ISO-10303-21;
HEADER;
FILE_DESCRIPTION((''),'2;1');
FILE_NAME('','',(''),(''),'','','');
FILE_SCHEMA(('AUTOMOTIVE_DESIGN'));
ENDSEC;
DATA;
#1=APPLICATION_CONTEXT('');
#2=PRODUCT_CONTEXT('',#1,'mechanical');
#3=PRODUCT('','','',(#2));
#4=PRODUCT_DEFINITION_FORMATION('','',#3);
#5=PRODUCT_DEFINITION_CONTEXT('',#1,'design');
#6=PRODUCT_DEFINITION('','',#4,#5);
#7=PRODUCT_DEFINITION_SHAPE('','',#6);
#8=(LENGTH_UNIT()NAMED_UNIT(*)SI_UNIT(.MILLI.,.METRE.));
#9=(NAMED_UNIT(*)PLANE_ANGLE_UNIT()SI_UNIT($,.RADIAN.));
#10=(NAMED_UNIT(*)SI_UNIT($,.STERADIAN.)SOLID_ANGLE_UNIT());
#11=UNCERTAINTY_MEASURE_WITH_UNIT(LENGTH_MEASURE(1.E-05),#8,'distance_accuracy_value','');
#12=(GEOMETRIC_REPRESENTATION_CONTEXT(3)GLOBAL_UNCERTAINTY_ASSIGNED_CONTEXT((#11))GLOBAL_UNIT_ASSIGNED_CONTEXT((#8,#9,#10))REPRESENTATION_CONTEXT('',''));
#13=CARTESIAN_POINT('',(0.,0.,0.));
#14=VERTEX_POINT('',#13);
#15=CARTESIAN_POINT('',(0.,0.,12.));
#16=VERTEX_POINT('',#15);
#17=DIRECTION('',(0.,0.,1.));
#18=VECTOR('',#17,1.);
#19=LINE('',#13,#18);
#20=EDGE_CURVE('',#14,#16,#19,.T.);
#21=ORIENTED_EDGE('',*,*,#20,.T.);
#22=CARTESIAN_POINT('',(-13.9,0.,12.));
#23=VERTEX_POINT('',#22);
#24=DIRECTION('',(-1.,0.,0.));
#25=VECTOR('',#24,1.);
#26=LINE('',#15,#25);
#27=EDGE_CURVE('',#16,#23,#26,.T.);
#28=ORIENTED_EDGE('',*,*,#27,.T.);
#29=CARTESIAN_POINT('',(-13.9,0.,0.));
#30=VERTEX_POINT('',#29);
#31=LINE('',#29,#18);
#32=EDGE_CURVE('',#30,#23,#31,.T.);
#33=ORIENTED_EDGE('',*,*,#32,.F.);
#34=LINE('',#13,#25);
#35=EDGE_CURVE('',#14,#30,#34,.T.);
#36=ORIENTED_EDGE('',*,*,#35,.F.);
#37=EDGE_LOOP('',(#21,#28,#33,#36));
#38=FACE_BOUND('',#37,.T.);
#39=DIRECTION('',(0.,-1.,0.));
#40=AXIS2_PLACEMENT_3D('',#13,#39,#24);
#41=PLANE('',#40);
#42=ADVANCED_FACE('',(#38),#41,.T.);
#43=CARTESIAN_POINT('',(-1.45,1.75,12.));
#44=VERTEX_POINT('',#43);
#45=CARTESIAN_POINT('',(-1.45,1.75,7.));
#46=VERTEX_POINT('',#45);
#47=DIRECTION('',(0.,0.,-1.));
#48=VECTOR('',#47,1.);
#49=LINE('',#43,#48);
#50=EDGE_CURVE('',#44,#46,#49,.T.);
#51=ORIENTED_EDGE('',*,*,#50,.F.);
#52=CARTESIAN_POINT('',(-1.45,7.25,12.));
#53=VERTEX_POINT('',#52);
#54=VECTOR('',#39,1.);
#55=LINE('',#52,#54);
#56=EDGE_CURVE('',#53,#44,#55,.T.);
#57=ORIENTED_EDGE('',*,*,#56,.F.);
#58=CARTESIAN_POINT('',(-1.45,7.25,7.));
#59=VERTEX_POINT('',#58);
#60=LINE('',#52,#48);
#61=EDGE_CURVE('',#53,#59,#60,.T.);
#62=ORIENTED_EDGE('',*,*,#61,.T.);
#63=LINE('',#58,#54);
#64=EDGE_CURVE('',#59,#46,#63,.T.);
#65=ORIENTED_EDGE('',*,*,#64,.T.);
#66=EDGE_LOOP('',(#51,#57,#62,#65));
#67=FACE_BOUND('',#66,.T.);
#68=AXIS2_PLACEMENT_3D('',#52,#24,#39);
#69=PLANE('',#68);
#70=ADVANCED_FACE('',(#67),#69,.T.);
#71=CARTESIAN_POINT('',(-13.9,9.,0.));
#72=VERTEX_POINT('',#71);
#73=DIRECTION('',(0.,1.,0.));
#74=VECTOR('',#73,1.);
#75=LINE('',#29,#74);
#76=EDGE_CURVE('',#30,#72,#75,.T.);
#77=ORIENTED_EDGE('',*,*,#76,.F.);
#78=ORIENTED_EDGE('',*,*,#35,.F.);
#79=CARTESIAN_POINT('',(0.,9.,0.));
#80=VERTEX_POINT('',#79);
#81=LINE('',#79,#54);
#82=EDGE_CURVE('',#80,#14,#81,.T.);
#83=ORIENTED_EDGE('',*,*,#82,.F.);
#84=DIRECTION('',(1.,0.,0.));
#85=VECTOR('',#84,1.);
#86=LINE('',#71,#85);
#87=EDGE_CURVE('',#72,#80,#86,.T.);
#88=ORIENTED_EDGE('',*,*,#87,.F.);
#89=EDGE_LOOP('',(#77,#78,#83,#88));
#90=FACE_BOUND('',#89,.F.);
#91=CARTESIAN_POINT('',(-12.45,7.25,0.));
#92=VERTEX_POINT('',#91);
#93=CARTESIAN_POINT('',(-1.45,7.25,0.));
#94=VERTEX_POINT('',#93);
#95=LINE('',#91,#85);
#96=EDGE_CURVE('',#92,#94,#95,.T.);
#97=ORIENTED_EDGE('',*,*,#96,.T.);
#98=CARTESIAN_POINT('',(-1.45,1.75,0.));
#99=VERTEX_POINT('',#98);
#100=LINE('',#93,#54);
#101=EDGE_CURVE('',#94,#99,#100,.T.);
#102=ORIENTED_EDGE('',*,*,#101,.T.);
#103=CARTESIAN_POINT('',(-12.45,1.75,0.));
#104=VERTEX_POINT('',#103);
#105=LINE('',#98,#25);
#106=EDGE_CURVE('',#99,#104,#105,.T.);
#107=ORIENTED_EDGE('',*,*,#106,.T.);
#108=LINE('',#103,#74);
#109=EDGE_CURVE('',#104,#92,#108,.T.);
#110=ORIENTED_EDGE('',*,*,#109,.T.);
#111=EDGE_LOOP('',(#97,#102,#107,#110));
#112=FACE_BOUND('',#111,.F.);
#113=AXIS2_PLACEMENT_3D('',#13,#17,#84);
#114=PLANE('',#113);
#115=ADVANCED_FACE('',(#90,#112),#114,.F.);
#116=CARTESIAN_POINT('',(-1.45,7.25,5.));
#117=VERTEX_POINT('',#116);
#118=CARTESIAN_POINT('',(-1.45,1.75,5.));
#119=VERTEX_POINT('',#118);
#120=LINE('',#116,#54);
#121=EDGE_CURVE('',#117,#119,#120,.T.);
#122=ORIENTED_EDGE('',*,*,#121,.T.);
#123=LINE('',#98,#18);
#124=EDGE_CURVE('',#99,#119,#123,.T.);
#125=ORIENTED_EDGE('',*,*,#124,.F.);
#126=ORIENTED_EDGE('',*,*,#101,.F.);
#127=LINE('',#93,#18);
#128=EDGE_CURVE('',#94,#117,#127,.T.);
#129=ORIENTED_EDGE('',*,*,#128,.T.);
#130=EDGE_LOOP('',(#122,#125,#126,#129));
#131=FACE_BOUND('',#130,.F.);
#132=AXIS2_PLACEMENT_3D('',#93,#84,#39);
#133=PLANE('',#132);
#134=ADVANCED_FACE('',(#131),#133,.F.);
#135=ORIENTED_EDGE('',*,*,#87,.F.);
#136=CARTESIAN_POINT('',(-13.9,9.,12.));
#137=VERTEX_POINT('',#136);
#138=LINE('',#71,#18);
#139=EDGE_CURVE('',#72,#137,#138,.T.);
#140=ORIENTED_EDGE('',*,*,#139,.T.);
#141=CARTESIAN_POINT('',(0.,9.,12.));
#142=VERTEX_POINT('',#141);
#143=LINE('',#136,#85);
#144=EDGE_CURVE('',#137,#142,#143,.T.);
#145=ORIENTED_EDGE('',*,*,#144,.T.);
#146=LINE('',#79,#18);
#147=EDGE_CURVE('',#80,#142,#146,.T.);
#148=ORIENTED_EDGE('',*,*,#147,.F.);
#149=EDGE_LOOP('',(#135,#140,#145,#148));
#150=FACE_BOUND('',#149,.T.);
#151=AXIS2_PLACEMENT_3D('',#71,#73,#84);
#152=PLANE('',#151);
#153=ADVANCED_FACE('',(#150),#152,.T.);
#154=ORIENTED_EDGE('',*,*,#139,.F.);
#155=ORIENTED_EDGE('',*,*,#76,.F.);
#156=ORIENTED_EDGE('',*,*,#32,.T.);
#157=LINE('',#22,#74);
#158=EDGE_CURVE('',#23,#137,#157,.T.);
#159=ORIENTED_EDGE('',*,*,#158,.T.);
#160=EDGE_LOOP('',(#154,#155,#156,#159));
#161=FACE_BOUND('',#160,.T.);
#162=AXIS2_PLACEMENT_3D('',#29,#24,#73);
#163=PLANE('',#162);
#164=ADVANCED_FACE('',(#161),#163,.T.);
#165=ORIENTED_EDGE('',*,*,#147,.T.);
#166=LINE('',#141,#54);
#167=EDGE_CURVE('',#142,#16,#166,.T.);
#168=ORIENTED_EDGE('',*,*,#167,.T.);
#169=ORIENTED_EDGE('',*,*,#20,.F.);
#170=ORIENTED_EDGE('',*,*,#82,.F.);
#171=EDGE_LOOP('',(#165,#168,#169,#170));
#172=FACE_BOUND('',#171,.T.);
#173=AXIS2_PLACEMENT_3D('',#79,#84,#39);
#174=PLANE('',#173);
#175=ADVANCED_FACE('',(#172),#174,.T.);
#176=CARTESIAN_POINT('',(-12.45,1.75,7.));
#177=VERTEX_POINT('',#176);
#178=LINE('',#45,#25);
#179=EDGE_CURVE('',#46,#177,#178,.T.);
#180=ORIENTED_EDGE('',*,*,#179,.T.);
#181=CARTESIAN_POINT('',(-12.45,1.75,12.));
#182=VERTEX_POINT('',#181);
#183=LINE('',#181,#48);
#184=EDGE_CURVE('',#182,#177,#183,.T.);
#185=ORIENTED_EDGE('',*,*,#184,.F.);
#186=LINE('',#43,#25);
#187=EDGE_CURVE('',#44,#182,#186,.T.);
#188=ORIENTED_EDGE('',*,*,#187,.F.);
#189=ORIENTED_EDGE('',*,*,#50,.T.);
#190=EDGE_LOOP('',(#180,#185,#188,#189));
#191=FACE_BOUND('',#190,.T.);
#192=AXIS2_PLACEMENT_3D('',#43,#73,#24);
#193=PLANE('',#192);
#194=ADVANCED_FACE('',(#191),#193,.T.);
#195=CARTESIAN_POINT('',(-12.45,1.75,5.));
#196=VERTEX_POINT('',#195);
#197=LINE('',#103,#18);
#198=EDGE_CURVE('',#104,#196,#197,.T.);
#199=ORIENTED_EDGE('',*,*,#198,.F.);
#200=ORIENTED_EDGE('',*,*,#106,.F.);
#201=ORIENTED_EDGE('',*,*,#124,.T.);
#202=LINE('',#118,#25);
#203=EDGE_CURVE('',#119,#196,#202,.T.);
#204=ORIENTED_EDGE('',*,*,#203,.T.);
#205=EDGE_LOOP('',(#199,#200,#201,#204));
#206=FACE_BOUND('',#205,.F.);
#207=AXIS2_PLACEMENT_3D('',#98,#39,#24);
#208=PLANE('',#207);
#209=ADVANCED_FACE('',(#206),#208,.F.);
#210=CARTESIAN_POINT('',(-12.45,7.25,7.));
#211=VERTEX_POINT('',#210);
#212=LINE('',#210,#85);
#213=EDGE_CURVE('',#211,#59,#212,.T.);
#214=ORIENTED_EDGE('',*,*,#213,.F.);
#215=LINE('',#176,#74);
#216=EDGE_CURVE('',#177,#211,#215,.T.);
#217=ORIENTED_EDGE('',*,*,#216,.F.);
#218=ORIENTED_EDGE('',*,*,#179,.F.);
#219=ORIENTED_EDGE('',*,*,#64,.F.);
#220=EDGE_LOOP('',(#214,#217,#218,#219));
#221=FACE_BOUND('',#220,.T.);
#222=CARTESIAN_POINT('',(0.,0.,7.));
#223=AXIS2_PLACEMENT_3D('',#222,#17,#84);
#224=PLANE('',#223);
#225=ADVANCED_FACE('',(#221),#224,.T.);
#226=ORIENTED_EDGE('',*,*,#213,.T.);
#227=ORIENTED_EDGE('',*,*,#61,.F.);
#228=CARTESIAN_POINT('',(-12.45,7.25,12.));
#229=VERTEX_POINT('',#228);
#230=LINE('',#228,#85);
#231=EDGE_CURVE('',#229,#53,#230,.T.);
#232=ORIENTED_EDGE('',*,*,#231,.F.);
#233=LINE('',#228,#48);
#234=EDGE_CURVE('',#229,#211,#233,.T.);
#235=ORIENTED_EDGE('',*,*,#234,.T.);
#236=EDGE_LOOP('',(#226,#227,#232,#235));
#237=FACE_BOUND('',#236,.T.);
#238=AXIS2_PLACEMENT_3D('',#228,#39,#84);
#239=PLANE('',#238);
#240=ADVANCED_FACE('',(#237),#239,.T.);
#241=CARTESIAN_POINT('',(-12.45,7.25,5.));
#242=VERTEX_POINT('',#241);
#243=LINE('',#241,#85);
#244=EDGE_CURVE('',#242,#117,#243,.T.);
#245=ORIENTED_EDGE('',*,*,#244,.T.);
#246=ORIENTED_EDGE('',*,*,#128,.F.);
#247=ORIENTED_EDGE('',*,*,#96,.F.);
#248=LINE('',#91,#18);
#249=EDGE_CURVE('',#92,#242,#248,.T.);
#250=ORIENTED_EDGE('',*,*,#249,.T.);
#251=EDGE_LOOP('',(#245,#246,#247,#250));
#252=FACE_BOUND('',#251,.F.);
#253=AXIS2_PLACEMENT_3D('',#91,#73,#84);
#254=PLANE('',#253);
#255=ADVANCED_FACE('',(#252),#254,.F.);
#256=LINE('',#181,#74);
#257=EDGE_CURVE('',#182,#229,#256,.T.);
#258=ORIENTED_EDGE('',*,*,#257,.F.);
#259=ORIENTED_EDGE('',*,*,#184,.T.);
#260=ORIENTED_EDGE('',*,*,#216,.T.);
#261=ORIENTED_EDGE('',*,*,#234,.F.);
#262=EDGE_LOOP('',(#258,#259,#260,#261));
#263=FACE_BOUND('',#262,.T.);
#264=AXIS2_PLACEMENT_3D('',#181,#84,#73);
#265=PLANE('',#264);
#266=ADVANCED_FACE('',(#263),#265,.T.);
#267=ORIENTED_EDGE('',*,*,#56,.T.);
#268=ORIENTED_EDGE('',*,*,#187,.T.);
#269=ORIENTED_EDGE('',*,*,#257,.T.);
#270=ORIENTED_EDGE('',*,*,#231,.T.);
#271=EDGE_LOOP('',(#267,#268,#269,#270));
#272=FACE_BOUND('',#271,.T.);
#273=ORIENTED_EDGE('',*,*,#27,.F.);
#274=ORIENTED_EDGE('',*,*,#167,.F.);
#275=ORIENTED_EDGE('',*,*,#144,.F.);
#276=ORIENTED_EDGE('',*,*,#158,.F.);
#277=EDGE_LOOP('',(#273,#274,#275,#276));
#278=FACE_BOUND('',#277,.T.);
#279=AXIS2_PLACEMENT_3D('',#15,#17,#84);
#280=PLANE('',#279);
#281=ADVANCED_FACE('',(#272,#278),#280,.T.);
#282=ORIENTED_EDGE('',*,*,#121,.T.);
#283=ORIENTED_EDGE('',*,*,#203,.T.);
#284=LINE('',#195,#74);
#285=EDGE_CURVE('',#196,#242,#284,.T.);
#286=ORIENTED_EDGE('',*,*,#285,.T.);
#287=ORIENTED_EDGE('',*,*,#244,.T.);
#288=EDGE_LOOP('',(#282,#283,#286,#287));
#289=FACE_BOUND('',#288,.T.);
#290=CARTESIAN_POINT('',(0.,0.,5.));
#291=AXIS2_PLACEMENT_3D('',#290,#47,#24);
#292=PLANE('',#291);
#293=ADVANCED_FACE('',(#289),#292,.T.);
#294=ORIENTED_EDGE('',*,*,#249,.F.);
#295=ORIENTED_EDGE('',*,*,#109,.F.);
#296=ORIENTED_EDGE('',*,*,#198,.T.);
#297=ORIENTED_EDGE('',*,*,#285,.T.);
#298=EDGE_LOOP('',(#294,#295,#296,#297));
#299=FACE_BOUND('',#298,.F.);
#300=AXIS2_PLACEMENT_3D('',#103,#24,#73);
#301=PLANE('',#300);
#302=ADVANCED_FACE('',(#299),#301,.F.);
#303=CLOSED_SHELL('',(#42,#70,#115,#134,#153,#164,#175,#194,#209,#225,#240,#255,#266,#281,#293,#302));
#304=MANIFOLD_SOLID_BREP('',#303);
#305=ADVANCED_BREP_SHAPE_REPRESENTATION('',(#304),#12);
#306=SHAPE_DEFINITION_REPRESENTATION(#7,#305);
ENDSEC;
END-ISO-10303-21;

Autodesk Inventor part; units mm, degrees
ref_plane "YZ Plane" through (0, 0, 0) normal (1, 0, 0) x (0, 1, 0)
ref_plane "XZ Plane" through (0, 0, 0) normal (0, 1, 0) x (-1, 0, 0)
ref_plane "XY Plane" through (0, 0, 0) normal (0, 0, 1) x (1, 0, 0)
sketch "Sketch5" plane through (0, 0, 0) normal (0, 0, 1) x (1, 0, 0)
  line L0 (0, 0) -> (-13.9, 0)
  line L1 (-13.9, 0) -> (-13.9, 9)
  line L2 (-13.9, 9) -> (0, 9)
  line L3 (0, 9) -> (0, 0)
  line L4 (-2, 2) -> (-11.9, 2)
  line L5 (-11.9, 2) -> (-11.9, 7)
  line L6 (-11.9, 7) -> (-2, 7)
  line L7 (-2, 7) -> (-2, 2)
  dimension "d67" = 13.9
  dimension "d68" = 9
  dimension "d69" = 9.9
  dimension "d70" = 5
extrude "Extrusion8" add sketch "Sketch5" along normal blind 12 contours L0 L1 L2 L3 | L4 L5 L6 L7
sketch "Sketch10" plane through (0, 0, 12) normal (0, 0, 1) x (1, 0, 0)
  line L0 (-1.45, 1.75) -> (-12.45, 1.75)
  line L1 (-12.45, 1.75) -> (-12.45, 7.25)
  line L2 (-12.45, 7.25) -> (-1.45, 7.25)
  line L3 (-1.45, 7.25) -> (-1.45, 1.75)
  point P0 (0, 0)
  dimension "d99" = 11
  dimension "d100" = 5.5
sketch "Sketch11" plane through (0, 0, 0) normal (0, 0, -1) x (-1, 0, 0)
  line L0 (1.45, 1.75) -> (12.45, 1.75)
  line L1 (12.45, 1.75) -> (12.45, 7.25)
  line L2 (12.45, 7.25) -> (1.45, 7.25)
  line L3 (1.45, 7.25) -> (1.45, 1.75)
  point P0 (0, 0)
  dimension "d101" = 11
  dimension "d102" = 5.5
extrude "Extrusion16" cut sketch "Sketch10" against normal blind 5
extrude "Extrusion17" cut sketch "Sketch11" against normal blind 5
properties part number "Cube_Holder_SB_V1_(71mm)"
